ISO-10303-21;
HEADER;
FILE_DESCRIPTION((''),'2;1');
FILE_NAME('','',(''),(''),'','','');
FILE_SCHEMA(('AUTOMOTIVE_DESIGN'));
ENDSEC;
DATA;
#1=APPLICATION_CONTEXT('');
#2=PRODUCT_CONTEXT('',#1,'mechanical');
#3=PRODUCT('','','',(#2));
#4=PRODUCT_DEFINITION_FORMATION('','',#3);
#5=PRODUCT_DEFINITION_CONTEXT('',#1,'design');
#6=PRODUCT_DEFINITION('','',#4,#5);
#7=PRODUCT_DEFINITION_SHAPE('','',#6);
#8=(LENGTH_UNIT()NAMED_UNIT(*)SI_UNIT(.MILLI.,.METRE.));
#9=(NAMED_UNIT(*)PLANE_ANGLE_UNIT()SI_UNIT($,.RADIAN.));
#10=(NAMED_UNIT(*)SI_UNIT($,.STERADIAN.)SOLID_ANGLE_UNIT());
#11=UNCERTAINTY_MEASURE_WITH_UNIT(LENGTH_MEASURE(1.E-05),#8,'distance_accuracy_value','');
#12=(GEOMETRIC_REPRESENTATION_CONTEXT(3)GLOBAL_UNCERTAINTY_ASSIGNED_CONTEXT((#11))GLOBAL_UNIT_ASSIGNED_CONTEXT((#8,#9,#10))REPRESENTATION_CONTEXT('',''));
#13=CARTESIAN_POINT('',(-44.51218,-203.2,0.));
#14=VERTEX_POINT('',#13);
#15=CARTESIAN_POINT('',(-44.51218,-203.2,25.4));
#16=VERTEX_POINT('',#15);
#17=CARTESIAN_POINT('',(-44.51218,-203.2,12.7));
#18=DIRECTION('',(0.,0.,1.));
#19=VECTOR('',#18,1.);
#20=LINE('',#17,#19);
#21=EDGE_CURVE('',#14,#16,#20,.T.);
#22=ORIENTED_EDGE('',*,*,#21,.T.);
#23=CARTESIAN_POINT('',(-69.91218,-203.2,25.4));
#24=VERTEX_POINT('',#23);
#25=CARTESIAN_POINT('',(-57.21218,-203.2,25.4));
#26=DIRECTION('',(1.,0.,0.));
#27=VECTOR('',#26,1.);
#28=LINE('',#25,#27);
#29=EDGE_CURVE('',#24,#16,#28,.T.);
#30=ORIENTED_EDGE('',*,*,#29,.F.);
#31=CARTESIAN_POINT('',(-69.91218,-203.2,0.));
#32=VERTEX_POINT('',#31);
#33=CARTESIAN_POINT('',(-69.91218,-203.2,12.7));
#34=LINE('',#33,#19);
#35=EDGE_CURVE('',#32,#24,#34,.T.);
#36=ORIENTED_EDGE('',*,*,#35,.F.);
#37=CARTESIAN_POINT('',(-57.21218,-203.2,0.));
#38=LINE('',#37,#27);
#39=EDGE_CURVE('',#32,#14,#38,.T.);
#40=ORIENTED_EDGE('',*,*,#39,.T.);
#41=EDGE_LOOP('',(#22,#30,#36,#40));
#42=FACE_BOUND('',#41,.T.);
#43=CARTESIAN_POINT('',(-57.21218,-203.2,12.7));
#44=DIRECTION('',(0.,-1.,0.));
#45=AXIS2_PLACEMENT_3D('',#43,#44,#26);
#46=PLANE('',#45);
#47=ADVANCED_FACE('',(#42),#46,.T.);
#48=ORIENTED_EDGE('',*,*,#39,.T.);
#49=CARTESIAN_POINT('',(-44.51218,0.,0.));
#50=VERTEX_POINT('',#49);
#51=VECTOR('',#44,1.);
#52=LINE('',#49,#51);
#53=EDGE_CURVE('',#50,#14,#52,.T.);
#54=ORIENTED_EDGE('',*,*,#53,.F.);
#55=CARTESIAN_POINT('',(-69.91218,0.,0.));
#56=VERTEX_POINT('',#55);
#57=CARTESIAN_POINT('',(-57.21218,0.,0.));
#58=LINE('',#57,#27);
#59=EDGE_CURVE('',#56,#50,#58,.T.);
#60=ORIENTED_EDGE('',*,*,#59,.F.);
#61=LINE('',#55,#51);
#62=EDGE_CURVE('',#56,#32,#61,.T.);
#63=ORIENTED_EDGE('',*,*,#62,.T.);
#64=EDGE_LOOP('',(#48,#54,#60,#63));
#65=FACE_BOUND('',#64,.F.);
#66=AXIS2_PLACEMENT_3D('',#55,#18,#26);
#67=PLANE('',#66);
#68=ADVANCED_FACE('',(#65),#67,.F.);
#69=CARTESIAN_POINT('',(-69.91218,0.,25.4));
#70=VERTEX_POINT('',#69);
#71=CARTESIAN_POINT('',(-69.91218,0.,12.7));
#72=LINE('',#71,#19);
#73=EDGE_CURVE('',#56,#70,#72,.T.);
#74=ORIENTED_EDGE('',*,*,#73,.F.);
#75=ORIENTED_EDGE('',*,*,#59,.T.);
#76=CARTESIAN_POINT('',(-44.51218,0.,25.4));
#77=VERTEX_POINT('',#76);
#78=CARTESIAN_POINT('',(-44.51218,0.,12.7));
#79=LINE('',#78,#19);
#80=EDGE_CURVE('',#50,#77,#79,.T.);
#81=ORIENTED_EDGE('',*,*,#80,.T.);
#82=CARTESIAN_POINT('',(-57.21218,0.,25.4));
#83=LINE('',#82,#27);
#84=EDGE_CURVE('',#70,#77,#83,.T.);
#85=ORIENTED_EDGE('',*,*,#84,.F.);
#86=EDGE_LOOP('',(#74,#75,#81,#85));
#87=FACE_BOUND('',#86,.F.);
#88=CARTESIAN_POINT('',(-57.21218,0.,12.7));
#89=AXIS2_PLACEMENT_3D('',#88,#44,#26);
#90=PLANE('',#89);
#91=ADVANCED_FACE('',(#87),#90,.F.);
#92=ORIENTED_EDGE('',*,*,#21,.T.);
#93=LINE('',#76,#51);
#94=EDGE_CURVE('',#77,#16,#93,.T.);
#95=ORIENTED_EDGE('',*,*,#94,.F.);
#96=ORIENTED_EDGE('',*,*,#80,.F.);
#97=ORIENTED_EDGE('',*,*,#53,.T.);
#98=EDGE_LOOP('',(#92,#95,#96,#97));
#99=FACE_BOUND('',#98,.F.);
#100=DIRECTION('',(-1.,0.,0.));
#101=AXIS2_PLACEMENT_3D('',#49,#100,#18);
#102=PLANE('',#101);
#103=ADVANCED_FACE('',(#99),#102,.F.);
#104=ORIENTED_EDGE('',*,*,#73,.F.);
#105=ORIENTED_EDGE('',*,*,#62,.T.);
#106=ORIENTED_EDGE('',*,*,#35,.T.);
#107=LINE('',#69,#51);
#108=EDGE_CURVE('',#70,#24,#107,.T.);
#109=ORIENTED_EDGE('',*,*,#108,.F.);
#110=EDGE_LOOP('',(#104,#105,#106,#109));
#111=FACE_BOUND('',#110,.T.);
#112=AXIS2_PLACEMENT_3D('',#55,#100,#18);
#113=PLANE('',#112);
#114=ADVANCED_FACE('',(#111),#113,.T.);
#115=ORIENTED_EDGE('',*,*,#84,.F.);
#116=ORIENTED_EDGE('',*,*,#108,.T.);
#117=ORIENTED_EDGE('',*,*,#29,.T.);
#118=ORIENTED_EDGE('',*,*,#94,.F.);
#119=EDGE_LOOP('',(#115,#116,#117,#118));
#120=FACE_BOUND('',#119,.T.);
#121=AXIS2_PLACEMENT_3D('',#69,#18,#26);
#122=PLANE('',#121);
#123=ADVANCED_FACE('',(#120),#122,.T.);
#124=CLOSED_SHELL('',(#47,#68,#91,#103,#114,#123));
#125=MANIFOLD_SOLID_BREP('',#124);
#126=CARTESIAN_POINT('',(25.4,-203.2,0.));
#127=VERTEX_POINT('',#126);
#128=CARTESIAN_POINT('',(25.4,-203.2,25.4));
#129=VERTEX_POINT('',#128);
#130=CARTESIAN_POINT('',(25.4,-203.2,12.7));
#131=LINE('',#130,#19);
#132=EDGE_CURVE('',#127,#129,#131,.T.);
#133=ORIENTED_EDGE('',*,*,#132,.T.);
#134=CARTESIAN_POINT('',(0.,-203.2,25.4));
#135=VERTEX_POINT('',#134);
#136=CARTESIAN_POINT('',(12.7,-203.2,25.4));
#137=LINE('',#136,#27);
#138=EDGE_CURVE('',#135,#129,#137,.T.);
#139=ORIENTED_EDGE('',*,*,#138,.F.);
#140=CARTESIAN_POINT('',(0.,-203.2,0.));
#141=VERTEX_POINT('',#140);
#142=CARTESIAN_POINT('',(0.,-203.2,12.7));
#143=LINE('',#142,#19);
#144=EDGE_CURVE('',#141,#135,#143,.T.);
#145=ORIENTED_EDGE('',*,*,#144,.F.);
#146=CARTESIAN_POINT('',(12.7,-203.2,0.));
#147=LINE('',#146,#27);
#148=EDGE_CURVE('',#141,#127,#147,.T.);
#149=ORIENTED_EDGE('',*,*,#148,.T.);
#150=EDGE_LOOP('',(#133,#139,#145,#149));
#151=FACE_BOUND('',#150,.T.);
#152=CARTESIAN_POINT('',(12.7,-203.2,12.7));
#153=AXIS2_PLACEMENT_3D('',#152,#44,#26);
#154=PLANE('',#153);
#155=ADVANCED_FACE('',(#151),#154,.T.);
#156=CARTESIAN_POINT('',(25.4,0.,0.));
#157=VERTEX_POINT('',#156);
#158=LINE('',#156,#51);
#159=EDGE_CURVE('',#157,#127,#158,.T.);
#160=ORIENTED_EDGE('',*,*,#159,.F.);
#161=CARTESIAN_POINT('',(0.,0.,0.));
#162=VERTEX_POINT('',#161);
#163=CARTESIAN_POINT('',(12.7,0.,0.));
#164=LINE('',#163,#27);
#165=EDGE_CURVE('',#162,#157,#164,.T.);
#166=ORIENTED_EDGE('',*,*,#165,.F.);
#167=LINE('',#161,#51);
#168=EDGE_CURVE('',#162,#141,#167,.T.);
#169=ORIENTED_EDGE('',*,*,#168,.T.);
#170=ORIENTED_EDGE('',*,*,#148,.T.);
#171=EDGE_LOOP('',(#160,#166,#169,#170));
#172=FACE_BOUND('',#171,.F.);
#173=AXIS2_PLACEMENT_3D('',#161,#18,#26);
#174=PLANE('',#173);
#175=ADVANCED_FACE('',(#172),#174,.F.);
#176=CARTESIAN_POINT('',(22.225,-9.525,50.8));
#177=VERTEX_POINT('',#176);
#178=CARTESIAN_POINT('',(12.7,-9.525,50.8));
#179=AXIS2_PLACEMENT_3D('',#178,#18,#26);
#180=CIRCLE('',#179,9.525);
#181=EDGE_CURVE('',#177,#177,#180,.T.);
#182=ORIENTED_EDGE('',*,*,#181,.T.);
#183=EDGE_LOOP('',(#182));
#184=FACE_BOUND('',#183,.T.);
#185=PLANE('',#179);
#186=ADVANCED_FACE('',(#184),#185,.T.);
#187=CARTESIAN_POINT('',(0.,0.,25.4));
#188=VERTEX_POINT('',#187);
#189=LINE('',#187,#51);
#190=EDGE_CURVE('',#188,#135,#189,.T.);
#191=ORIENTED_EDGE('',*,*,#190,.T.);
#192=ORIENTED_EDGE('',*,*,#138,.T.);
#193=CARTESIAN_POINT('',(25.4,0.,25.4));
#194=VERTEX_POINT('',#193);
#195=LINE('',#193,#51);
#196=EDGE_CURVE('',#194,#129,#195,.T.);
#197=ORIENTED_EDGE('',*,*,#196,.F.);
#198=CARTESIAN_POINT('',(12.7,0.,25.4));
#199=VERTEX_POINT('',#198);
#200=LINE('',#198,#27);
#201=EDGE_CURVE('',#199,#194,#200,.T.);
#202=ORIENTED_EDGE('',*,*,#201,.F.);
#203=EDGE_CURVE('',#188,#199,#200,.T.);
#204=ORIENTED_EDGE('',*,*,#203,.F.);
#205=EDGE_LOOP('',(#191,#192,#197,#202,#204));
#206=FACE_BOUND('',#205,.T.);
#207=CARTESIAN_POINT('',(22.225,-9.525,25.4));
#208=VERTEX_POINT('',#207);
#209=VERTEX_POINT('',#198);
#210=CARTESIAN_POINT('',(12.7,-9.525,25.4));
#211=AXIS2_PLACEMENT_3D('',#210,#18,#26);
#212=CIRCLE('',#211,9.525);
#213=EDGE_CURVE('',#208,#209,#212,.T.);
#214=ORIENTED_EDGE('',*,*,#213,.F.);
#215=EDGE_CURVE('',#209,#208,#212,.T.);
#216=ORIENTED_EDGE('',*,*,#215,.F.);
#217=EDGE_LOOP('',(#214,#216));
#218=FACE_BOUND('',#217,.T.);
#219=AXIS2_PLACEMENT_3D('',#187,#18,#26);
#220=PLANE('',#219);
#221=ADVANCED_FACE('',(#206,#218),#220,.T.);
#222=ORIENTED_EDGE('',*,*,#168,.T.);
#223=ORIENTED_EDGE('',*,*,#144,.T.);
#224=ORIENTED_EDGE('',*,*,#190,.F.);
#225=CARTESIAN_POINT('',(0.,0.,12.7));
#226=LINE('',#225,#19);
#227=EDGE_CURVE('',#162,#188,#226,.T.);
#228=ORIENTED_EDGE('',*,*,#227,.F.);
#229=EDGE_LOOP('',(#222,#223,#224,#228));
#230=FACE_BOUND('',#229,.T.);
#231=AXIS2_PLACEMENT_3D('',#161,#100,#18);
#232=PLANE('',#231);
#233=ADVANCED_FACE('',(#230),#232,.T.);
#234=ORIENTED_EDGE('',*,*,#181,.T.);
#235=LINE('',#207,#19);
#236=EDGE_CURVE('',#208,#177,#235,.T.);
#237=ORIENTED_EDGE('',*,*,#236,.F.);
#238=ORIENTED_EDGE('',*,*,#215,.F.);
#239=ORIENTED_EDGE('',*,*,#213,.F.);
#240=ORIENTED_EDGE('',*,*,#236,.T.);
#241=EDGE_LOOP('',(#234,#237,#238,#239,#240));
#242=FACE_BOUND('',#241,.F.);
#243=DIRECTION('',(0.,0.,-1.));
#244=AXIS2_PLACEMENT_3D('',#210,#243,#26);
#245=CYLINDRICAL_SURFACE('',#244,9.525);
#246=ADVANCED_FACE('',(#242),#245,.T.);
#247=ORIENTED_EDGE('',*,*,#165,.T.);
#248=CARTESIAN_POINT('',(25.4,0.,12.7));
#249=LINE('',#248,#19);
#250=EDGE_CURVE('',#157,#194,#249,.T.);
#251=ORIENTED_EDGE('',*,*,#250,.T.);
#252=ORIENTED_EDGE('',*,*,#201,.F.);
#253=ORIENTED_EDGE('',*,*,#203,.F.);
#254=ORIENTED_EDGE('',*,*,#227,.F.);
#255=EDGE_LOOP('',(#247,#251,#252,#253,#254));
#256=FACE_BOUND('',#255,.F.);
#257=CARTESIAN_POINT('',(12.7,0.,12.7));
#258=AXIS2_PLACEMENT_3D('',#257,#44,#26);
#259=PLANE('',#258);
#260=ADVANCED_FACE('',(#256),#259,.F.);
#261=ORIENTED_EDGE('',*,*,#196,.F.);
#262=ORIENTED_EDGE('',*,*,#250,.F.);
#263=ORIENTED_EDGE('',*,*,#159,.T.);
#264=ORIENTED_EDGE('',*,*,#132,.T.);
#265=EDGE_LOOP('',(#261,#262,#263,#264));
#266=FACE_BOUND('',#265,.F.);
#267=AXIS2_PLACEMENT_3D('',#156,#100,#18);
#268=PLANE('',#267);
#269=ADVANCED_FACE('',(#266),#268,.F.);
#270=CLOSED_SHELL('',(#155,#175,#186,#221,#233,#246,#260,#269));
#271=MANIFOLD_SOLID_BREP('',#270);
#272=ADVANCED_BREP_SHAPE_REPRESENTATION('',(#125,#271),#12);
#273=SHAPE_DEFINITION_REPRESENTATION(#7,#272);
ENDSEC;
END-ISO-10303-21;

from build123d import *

# Parameters (mm, degrees)
F0_W     = 25.4
F0_H     = 25.4
F1_DEPTH = 203.2
F2_W     = 25.4
F2_H     = 25.4
F3_DEPTH = 203.2
F4_R     = 9.525
F5_DEPTH = 25.4


with BuildPart() as f1:
    # F0 (on Front) → F1 (new body)
    with BuildSketch(Plane.XZ):
        with Locations((12.7, 12.7)):
            Rectangle(F0_W, F0_H)
    extrude(amount=F1_DEPTH)

    # F4 (on face) → F5 (join)
    with BuildSketch(Plane.XY.offset(25.4)):
        with Locations((12.7, -9.525)):
            Circle(F4_R)
    extrude(amount=F5_DEPTH)


with BuildPart() as f3:
    # F2 (on Front) → F3 (new body)
    with BuildSketch(Plane.XZ):
        with Locations((-57.21218, 12.7)):
            Rectangle(F2_W, F2_H)
    extrude(amount=F3_DEPTH)


solid = Compound([f1.part, f3.part])
